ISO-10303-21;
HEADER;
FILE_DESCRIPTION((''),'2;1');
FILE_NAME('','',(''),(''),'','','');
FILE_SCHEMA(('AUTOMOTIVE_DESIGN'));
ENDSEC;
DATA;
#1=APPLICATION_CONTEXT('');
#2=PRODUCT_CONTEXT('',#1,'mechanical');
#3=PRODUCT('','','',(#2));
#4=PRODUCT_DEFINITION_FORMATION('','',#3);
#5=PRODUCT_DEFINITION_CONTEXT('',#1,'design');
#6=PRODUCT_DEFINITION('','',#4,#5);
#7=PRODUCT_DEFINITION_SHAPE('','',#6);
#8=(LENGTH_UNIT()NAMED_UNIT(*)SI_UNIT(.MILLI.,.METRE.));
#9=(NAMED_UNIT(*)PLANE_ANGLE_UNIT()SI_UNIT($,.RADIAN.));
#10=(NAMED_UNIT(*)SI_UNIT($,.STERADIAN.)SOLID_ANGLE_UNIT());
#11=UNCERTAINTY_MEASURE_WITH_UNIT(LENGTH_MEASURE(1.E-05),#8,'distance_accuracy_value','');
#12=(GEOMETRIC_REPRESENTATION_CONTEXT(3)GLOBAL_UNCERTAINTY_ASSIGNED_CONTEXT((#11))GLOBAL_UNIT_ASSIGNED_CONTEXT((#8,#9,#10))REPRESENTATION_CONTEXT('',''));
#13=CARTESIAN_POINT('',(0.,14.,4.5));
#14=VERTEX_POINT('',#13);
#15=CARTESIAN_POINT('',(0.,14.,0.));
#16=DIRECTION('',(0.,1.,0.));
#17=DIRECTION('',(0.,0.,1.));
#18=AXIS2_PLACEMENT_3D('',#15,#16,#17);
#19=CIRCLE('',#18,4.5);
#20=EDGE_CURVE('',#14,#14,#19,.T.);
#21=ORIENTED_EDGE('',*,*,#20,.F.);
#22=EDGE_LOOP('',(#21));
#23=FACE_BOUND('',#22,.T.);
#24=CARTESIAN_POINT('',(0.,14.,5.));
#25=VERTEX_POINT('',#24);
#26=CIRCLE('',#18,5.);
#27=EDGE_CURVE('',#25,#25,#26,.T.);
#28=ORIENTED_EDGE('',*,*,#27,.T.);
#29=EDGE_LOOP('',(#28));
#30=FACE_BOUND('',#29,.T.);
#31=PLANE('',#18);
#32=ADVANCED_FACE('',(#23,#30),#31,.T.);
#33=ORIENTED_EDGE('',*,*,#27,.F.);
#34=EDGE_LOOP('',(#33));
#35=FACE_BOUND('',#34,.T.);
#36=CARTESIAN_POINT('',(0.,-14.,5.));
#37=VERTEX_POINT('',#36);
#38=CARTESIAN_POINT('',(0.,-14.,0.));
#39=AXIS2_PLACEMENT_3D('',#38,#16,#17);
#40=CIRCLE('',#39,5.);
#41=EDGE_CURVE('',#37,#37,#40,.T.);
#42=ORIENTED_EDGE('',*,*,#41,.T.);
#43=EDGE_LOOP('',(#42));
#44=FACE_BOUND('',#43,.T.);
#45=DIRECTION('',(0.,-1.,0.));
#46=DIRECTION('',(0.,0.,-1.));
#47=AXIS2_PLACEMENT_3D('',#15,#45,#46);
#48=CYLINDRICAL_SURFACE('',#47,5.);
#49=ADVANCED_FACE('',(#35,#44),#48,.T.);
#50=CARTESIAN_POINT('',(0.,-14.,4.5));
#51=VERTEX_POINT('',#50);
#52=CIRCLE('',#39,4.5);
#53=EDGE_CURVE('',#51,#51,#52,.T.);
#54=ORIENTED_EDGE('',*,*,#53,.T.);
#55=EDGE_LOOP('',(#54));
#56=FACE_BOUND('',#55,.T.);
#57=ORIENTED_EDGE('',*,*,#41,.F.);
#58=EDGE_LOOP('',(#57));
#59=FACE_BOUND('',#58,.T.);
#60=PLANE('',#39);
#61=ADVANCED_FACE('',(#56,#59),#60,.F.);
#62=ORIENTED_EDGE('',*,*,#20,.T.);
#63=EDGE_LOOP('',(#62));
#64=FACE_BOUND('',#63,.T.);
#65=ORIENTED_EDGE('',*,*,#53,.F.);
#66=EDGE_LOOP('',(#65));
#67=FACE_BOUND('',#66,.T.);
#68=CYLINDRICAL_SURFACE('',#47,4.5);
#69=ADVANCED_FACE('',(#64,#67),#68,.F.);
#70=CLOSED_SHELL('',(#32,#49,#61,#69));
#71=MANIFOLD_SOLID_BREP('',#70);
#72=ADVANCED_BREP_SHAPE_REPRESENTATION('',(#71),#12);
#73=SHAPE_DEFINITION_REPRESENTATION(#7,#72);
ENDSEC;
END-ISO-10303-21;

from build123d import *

# Parameters (mm, degrees)
BASES_R    = 5
BASES_R_2  = 4.5
BASE_DEPTH = 14


with BuildPart() as part:
    # BaseS → BASE (new, symmetric)
    with BuildSketch(Plane(origin=(0, 0, 0), x_dir=(1, 0, 0), z_dir=(0, 1, 0))):
        with Locations(Location((0, 0, 0), (0, 0, 270))):
            Circle(BASES_R)
        with Locations(Location((0, 0, 0), (0, 0, 270))):
            Circle(BASES_R_2, mode=Mode.SUBTRACT)
    extrude(amount=BASE_DEPTH, both=True)


solid = part.part
